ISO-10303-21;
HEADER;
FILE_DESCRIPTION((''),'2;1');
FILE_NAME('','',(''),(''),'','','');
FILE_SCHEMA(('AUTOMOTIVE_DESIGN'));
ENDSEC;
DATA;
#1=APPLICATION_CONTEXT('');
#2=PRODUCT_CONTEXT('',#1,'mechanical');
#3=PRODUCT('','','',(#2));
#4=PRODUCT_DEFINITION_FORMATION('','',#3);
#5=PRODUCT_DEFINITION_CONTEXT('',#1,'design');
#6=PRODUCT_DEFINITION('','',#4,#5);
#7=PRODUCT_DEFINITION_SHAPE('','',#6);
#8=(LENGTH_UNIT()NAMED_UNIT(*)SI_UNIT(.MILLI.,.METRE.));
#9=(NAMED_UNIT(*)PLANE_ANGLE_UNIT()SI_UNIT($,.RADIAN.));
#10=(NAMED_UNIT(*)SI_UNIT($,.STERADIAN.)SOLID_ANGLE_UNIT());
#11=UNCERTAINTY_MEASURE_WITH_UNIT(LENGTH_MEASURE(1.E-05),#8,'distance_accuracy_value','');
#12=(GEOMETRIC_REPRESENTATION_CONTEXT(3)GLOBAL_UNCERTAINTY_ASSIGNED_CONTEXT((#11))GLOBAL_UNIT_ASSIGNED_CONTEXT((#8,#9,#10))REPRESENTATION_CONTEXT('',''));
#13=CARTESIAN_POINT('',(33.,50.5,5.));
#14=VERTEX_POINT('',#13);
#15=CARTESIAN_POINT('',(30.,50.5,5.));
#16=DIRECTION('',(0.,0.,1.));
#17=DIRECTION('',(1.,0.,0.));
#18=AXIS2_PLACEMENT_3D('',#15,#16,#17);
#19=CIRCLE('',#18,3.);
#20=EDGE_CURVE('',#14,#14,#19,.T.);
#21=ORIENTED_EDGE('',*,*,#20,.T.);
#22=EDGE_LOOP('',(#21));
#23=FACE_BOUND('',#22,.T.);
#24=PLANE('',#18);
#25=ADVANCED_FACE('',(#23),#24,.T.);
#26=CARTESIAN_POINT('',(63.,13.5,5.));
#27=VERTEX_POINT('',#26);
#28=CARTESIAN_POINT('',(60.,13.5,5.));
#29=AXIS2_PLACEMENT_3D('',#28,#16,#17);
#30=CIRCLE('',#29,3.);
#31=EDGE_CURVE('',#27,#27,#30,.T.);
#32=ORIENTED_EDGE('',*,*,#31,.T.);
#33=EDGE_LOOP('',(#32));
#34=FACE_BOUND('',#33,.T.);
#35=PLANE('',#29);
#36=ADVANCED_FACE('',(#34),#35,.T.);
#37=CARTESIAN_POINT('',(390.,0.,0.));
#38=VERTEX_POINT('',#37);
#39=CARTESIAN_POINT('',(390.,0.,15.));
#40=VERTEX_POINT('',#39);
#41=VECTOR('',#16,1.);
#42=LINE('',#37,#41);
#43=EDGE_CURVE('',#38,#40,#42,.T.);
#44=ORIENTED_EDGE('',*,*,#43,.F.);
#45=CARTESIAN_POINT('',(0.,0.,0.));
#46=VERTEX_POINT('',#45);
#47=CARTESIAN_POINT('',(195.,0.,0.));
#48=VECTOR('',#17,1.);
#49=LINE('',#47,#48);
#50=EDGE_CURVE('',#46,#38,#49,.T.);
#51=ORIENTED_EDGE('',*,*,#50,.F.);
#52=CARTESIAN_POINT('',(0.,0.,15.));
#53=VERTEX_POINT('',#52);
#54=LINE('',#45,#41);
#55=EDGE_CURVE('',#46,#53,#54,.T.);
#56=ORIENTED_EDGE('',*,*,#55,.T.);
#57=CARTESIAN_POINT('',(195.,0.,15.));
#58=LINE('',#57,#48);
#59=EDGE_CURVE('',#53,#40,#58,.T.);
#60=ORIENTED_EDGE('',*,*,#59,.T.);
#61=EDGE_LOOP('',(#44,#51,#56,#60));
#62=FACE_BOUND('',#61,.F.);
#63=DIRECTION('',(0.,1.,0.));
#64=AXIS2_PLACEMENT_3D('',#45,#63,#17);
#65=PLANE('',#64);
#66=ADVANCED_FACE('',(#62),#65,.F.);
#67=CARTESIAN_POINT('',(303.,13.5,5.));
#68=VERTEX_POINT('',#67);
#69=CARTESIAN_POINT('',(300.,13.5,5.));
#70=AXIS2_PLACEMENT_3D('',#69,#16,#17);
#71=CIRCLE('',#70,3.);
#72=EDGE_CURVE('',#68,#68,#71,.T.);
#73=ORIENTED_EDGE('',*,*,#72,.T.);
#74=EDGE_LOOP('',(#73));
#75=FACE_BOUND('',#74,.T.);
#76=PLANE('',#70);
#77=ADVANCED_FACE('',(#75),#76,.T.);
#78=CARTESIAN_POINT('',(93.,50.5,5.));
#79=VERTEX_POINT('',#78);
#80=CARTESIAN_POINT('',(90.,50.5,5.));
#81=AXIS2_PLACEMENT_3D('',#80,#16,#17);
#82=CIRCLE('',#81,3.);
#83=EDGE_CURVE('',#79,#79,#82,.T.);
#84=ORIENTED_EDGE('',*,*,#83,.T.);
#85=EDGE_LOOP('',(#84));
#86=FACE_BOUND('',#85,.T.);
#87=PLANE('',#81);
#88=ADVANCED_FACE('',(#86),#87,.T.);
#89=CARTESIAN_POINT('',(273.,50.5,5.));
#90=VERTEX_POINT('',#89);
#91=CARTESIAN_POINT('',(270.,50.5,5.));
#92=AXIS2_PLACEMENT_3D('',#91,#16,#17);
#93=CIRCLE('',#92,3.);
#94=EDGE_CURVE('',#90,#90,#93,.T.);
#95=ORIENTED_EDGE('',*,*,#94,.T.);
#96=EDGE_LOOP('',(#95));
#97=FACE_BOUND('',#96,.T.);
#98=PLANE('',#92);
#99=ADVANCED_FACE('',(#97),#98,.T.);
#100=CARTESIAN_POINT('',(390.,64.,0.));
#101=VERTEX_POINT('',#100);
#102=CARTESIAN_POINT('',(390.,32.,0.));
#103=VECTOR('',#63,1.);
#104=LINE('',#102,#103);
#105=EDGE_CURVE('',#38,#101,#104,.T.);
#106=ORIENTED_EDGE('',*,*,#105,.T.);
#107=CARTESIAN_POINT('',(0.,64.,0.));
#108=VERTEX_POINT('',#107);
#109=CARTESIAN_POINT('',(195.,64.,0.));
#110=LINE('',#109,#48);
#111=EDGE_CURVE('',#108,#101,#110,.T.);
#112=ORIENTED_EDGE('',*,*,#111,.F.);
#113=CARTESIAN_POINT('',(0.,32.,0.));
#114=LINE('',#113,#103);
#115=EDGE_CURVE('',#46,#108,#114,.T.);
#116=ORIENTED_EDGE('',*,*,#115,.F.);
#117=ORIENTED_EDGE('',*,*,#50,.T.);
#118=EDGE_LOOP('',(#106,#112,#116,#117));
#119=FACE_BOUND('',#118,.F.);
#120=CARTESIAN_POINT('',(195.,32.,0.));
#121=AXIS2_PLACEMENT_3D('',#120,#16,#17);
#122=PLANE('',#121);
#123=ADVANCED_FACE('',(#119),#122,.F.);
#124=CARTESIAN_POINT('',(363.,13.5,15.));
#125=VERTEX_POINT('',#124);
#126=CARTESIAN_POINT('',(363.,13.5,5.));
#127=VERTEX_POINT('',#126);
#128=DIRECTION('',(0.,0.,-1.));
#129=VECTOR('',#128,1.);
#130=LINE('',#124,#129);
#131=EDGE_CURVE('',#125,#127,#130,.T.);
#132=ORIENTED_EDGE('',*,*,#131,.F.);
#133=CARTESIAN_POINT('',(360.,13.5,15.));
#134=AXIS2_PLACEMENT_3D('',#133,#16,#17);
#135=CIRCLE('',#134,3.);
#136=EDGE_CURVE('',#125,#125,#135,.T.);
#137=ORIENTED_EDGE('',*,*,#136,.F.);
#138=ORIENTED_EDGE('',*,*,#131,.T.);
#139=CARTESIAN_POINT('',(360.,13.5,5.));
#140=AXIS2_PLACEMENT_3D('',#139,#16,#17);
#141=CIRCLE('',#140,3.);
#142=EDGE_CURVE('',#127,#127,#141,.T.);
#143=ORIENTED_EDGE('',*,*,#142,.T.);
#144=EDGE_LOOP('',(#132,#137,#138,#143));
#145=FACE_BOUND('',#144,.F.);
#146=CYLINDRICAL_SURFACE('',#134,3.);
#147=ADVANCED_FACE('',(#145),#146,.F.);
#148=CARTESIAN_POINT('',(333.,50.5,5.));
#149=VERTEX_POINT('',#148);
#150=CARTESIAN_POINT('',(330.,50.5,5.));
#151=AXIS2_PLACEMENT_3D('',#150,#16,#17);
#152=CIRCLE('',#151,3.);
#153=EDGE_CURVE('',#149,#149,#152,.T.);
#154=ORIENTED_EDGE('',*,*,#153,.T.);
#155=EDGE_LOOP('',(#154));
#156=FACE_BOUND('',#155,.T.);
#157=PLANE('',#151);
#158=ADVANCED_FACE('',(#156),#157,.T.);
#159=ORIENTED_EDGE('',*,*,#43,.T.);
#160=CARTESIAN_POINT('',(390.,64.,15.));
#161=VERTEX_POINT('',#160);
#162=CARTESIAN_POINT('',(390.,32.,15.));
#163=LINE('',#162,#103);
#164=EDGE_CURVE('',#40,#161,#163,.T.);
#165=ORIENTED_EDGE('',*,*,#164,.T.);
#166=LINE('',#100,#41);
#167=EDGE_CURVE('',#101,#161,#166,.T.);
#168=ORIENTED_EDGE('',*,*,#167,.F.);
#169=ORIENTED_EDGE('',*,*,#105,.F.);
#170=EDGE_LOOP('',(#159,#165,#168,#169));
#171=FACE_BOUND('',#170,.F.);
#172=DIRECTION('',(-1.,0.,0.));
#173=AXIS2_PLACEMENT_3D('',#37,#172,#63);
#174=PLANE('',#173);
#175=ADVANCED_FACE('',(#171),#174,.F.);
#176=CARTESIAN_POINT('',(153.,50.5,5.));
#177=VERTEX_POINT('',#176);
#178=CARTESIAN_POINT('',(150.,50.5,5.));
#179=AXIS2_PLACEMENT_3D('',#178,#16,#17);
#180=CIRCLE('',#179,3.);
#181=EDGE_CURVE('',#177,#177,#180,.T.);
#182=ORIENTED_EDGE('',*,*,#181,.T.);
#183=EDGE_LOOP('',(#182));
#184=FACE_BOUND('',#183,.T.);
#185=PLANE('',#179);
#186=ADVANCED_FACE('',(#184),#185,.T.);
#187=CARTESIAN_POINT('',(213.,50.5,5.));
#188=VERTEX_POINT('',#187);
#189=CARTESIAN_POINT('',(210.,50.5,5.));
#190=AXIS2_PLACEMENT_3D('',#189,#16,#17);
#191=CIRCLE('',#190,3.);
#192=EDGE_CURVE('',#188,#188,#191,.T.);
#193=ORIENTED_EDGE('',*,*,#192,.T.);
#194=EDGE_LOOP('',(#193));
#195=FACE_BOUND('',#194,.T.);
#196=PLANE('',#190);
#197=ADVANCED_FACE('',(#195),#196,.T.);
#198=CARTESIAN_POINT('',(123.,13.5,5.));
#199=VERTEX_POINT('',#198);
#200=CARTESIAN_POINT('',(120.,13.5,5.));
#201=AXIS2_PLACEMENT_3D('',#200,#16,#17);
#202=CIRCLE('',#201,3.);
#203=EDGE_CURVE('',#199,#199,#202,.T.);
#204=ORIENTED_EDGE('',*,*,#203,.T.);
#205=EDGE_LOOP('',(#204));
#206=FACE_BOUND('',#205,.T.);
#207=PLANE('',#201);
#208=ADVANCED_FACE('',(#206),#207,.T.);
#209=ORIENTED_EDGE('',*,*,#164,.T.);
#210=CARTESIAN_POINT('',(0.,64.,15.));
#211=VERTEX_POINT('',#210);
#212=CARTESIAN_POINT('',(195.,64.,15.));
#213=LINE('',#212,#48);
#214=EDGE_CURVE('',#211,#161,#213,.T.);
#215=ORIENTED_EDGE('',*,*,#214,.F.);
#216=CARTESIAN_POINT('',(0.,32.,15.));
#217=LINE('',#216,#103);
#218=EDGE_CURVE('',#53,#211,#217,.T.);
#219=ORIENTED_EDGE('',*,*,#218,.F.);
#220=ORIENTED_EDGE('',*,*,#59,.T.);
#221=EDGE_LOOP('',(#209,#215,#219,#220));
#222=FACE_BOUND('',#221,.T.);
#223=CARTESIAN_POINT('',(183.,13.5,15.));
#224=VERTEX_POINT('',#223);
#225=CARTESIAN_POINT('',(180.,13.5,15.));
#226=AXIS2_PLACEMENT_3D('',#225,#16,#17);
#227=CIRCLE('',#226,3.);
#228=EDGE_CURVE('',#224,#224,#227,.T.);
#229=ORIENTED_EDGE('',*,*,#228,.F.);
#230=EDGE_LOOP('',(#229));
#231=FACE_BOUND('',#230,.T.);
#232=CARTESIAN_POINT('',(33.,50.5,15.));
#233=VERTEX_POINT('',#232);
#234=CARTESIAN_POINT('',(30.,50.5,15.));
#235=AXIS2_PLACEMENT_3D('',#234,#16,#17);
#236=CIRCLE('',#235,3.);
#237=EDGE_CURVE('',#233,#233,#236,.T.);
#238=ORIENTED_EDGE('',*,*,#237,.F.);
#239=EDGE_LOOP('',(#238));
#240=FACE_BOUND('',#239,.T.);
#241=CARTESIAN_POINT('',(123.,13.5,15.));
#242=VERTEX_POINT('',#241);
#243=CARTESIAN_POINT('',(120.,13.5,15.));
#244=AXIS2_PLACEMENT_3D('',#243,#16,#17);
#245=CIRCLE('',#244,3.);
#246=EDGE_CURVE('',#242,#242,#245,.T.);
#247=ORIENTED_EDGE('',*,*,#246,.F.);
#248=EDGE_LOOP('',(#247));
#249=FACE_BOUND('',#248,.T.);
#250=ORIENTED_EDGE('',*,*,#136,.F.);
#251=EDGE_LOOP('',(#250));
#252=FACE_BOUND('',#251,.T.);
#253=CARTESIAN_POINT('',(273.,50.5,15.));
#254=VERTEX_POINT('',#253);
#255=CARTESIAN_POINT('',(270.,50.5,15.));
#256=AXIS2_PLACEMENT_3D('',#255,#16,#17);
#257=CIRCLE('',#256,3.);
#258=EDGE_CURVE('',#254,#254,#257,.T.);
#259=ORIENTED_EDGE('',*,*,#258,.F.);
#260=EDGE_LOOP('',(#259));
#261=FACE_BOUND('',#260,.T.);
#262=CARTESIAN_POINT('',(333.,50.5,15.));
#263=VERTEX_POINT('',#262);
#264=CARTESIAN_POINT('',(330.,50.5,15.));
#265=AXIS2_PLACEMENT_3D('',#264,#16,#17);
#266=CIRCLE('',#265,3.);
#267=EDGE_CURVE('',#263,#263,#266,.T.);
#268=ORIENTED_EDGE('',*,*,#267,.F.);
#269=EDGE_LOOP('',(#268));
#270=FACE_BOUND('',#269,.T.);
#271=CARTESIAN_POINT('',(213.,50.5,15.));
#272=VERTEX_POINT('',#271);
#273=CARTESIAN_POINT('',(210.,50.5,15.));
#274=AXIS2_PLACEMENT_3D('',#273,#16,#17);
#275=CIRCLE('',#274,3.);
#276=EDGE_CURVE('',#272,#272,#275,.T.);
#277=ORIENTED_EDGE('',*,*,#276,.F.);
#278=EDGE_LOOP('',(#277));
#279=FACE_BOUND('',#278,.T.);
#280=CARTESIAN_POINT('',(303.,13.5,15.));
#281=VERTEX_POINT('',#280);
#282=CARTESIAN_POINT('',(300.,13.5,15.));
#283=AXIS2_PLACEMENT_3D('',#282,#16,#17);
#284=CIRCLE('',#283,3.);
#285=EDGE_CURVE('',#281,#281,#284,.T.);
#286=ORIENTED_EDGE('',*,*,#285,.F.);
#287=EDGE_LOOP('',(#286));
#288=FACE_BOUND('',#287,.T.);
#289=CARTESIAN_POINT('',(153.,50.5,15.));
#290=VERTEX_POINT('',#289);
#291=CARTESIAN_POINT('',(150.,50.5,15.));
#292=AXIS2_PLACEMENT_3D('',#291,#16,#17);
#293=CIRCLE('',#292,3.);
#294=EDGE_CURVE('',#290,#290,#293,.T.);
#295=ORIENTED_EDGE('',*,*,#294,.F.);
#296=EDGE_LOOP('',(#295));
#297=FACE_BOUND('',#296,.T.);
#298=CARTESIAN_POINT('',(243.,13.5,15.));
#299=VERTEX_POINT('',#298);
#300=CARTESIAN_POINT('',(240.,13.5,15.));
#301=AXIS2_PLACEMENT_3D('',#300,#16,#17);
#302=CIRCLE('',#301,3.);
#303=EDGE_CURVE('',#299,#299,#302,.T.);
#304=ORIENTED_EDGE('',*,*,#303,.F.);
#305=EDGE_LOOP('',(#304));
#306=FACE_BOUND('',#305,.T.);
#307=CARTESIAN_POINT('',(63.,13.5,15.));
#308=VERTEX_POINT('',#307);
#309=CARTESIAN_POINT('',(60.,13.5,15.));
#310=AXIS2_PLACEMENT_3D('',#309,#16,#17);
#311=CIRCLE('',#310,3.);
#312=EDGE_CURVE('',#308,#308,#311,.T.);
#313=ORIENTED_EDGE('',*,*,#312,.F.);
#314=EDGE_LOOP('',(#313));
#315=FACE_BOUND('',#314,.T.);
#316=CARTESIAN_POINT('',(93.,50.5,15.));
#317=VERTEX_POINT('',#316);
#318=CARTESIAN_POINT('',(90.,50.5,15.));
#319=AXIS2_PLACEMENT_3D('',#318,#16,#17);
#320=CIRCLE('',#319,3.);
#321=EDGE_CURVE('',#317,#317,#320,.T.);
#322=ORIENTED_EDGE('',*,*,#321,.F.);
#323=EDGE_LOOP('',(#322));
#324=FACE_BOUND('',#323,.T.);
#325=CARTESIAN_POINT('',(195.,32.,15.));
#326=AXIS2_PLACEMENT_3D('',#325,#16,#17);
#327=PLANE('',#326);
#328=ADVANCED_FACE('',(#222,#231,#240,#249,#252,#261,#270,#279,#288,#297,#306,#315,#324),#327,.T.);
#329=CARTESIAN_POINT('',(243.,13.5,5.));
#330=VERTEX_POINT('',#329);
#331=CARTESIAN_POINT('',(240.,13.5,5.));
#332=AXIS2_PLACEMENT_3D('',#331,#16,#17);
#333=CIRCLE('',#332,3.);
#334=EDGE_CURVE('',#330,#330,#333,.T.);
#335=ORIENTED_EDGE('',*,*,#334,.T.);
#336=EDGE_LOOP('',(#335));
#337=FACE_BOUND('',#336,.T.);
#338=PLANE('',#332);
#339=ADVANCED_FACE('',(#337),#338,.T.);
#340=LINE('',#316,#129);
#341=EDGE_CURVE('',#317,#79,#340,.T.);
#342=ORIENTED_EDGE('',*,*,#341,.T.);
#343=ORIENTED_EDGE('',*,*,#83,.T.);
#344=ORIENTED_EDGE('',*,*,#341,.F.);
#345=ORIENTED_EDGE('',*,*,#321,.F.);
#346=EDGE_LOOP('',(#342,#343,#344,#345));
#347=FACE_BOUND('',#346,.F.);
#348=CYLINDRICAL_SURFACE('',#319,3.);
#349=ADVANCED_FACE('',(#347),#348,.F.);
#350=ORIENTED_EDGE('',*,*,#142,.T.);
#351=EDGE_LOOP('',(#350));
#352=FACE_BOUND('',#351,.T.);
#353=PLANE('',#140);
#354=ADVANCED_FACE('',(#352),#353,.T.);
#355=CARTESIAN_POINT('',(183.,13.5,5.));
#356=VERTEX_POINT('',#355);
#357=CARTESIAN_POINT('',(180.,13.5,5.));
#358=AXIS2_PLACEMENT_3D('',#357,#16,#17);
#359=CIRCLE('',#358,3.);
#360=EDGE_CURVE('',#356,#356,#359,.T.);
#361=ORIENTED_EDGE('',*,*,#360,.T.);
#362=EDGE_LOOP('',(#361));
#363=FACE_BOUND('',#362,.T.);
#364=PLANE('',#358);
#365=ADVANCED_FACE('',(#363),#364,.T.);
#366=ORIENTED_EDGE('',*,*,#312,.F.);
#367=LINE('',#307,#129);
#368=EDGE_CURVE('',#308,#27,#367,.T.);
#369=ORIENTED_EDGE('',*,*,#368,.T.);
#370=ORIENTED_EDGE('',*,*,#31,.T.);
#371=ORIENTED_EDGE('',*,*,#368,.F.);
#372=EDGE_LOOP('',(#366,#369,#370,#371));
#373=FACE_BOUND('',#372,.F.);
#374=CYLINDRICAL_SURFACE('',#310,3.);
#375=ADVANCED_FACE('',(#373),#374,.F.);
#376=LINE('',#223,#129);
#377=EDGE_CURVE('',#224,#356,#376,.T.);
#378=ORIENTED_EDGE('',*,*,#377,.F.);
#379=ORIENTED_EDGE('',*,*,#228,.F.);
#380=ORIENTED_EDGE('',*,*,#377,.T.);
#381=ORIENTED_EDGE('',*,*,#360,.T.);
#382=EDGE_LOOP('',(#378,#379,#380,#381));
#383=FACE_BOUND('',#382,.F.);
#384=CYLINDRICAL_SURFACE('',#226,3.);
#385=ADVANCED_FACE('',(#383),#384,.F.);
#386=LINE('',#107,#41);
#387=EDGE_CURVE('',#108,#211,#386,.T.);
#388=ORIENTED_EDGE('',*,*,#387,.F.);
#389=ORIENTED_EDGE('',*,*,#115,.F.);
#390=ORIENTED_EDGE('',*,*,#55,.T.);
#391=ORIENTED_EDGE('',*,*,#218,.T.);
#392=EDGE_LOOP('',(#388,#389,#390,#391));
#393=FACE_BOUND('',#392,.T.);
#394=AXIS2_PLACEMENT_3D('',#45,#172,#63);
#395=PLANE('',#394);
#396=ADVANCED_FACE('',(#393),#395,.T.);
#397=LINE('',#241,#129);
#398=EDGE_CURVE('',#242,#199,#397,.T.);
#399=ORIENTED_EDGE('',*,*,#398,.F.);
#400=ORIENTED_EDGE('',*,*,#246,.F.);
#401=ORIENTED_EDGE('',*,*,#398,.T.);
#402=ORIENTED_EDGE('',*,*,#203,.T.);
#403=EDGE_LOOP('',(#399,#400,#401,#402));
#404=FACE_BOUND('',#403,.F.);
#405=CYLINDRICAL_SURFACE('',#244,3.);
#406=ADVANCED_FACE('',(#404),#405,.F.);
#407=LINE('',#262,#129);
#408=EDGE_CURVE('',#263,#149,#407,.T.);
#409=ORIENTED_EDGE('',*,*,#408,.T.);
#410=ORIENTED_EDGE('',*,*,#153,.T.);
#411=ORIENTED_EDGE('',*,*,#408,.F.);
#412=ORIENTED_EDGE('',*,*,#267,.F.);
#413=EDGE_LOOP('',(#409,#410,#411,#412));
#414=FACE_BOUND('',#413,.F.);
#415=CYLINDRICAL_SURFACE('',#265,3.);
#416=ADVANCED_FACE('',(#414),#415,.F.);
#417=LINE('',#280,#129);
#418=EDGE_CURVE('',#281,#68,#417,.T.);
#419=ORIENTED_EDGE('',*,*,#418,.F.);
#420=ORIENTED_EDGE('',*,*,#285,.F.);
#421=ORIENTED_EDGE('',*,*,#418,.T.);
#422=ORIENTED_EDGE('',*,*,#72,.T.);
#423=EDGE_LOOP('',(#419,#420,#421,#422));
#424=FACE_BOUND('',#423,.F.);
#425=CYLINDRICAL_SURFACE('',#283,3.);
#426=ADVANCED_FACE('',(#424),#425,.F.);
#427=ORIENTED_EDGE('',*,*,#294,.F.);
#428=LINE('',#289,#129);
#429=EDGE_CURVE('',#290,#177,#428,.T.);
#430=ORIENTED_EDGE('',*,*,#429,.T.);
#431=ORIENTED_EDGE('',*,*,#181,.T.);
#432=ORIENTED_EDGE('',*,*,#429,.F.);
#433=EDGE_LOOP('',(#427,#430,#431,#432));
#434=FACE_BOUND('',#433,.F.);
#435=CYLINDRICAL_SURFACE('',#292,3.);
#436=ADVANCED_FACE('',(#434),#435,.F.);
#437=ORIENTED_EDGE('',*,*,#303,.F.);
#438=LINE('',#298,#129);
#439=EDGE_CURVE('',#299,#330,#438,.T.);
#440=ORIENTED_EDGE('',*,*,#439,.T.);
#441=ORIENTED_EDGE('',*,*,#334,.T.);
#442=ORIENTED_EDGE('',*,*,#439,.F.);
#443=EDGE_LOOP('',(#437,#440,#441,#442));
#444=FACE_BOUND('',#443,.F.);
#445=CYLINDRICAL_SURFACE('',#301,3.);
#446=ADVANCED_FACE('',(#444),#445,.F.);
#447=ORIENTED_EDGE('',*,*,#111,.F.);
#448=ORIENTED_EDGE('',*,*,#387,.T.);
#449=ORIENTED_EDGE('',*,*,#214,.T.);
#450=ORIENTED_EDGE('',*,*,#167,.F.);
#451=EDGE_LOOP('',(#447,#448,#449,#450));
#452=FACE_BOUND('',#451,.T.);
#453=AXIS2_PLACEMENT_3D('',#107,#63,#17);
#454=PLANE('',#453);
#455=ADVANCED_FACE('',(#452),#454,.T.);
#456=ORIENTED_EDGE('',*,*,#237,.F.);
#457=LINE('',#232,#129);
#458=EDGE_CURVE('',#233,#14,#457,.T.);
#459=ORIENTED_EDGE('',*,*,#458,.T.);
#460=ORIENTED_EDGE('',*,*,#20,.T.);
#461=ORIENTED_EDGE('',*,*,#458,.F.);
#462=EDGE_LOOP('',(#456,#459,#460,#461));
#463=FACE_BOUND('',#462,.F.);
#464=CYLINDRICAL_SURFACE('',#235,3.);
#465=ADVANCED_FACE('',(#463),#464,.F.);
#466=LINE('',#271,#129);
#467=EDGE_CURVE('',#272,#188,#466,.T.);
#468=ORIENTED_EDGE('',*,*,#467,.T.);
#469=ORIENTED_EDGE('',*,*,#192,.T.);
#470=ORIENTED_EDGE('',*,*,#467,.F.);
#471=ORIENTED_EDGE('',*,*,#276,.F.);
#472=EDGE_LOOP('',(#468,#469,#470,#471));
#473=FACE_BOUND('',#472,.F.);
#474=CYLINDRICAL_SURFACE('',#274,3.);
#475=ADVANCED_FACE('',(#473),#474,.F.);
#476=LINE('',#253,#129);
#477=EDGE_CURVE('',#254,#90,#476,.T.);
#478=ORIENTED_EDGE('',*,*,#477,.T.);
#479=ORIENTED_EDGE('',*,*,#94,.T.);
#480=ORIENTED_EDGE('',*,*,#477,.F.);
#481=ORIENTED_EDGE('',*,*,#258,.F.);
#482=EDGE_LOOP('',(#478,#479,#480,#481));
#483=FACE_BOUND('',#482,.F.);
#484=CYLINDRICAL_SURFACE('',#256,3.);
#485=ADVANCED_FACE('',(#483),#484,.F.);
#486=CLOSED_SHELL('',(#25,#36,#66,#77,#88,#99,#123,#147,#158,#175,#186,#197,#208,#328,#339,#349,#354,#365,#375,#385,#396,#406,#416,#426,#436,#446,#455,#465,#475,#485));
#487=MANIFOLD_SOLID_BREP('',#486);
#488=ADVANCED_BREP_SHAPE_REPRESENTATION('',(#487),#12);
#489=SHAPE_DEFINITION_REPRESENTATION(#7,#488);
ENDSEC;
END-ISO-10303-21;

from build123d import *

# Parameters (mm, degrees)
F0_W     = 390
F0_H     = 64
F1_DEPTH = 15
F2_R     = 3
F3_DEPTH = 10


with BuildPart() as f1:
    # F0 (on Top) → F1 (new body)
    with BuildSketch(Plane.XY):
        with Locations((195, 32)):
            Rectangle(F0_W, F0_H)
    extrude(amount=F1_DEPTH)

    # F2 (on face) → F3 (cut)
    with BuildSketch(Plane.XY.offset(15)):
        with Locations((30, 50.5)):
            Circle(F2_R)
        with Locations((60, 13.5)):
            Circle(F2_R)
        with Locations((90, 50.5)):
            Circle(F2_R)
        with Locations((120, 13.5)):
            Circle(F2_R)
        with Locations((150, 50.5)):
            Circle(F2_R)
        with Locations((180, 13.5)):
            Circle(F2_R)
        with Locations((210, 50.5)):
            Circle(F2_R)
        with Locations((240, 13.5)):
            Circle(F2_R)
        with Locations((270, 50.5)):
            Circle(F2_R)
        with Locations((300, 13.5)):
            Circle(F2_R)
        with Locations((330, 50.5)):
            Circle(F2_R)
        with Locations((360, 13.5)):
            Circle(F2_R)
    extrude(amount=-F3_DEPTH, mode=Mode.SUBTRACT)


solid = f1.part
